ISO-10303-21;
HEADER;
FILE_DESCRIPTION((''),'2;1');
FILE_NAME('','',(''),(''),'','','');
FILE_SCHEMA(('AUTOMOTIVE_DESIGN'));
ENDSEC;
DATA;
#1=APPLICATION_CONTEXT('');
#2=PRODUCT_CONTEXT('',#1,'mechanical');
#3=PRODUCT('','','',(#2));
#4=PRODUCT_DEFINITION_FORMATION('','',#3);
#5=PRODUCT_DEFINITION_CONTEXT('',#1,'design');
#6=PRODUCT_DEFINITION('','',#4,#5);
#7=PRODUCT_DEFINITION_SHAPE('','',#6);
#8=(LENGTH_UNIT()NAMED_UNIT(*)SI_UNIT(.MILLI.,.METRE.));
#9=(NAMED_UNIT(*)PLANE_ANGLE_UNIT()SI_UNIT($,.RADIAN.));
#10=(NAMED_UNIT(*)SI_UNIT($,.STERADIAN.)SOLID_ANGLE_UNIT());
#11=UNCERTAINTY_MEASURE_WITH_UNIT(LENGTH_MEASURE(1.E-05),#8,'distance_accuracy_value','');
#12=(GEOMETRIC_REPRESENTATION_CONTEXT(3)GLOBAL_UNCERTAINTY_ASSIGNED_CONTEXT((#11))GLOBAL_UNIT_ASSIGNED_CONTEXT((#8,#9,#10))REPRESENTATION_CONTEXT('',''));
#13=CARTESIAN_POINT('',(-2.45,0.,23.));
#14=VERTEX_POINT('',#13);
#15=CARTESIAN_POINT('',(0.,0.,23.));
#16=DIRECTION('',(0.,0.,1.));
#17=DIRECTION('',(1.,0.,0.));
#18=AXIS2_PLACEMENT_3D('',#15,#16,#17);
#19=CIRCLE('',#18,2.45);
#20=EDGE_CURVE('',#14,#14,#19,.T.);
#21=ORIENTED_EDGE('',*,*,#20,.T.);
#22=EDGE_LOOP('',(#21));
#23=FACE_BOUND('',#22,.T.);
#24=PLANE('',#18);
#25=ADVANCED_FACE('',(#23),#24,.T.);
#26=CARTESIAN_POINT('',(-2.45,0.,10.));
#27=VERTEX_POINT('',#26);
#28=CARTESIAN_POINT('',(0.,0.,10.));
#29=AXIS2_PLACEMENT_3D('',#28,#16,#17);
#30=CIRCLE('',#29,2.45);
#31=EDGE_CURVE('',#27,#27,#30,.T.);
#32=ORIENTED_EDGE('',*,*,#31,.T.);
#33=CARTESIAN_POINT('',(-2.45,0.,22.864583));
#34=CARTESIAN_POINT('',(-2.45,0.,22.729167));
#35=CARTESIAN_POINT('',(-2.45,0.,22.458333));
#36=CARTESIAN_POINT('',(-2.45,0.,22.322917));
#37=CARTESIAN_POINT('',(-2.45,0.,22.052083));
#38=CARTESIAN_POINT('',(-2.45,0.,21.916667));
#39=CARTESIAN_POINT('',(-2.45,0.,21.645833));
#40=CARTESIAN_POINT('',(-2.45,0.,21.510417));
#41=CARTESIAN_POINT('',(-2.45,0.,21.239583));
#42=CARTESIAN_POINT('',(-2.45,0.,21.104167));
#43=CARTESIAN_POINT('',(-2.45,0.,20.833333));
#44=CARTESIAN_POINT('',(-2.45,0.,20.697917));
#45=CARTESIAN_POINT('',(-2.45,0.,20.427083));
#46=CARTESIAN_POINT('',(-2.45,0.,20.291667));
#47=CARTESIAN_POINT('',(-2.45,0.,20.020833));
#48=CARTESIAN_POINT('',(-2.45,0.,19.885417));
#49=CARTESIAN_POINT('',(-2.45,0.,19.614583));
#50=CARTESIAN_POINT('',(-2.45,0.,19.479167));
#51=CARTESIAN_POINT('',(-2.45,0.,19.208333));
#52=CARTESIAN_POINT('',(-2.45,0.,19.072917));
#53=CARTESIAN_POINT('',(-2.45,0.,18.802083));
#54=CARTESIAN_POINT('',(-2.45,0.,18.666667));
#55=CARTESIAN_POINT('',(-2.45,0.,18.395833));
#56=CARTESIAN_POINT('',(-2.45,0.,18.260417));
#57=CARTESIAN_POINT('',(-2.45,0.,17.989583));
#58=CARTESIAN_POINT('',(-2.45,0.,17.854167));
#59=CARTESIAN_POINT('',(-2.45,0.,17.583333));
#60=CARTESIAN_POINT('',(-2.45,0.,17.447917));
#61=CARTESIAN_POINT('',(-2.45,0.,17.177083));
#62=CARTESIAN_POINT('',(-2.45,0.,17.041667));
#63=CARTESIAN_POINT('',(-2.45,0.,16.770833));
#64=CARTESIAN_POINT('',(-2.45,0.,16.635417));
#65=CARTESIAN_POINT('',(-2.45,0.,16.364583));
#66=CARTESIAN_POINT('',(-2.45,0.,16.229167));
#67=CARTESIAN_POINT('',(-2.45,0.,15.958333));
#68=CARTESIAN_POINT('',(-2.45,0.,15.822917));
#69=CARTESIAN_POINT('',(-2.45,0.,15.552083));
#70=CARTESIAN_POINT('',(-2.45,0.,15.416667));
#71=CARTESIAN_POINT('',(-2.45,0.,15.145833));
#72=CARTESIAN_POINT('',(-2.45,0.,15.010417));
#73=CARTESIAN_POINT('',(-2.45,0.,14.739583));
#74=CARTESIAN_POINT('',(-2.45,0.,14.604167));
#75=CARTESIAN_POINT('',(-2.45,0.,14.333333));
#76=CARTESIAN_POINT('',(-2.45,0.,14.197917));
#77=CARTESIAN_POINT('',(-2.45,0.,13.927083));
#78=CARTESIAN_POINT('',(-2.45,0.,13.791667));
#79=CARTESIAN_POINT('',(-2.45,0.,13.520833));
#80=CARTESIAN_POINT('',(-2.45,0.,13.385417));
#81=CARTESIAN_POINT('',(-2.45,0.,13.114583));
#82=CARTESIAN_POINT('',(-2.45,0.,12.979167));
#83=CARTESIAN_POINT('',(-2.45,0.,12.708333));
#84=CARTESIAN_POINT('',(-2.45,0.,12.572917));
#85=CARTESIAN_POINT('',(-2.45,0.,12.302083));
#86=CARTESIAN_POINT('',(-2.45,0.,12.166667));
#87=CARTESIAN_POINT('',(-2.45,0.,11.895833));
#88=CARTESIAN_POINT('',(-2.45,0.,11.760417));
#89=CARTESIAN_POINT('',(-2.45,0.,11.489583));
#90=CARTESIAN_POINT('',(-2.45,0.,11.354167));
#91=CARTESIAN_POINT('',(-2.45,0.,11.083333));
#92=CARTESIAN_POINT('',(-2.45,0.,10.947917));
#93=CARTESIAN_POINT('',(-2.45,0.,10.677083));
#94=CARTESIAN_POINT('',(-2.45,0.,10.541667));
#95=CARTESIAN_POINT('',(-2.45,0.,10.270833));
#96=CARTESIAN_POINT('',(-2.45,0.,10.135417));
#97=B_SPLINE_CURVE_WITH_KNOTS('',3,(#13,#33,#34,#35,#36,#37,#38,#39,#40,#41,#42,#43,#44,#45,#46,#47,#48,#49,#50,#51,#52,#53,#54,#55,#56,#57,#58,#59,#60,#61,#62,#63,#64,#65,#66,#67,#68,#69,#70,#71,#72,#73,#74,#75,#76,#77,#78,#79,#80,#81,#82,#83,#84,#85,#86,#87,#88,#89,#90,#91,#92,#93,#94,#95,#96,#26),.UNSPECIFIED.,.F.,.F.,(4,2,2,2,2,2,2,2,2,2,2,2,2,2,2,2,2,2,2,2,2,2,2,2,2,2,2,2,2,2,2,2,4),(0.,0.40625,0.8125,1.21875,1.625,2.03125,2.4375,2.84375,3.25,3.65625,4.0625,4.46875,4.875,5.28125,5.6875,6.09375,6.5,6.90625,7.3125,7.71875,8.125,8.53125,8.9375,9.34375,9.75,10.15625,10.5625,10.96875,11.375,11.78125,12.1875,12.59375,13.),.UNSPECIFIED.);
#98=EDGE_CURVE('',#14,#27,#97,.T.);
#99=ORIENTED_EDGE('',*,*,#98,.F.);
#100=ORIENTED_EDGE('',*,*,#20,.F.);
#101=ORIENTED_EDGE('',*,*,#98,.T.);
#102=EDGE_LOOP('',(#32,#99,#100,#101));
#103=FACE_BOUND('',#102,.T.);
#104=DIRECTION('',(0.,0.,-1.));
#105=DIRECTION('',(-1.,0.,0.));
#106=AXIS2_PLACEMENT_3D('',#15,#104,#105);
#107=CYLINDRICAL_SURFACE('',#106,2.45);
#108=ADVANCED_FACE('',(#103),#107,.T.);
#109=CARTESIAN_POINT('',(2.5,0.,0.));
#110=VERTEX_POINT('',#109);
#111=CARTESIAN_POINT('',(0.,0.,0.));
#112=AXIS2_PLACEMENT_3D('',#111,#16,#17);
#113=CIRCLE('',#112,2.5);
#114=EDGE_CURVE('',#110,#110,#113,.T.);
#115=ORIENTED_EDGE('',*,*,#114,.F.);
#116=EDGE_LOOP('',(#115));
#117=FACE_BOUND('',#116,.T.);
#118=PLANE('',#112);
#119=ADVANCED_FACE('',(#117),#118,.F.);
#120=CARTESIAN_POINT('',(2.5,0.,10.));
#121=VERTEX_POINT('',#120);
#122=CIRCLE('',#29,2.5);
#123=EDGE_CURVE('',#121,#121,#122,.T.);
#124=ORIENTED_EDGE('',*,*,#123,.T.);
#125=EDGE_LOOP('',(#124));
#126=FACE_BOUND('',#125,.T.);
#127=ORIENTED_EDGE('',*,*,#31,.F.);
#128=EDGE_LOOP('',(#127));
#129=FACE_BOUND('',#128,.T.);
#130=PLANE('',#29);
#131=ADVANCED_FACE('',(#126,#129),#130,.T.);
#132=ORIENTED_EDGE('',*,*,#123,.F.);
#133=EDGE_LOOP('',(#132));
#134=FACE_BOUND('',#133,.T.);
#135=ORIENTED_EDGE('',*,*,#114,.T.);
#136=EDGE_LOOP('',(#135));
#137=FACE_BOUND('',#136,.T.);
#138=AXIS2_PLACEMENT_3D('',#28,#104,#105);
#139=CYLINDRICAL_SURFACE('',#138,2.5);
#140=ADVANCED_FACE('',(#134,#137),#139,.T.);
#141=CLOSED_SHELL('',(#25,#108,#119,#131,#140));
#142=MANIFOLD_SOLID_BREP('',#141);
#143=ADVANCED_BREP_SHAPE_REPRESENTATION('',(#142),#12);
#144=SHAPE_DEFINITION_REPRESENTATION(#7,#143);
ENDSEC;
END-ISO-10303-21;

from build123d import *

# Parameters (mm, degrees)
ESQUISSE1_R        = 2.5
BOSS_EXTRU_1_DEPTH = 10
ESQUISSE2_R        = 2.45
BOSS_EXTRU_2_DEPTH = 13


with BuildPart() as part:
    # Esquisse1 → Boss.-Extru.1 (new body)
    with BuildSketch(Plane.XY):
        Circle(ESQUISSE1_R)
    extrude(amount=BOSS_EXTRU_1_DEPTH)

    # Esquisse2 → Boss.-Extru.2 (add)
    with BuildSketch(Plane.XY.offset(10)):
        with Locations(Location((0, 0, 0), (0, 0, 180))):
            Circle(ESQUISSE2_R)
    extrude(amount=BOSS_EXTRU_2_DEPTH)


solid = part.part
